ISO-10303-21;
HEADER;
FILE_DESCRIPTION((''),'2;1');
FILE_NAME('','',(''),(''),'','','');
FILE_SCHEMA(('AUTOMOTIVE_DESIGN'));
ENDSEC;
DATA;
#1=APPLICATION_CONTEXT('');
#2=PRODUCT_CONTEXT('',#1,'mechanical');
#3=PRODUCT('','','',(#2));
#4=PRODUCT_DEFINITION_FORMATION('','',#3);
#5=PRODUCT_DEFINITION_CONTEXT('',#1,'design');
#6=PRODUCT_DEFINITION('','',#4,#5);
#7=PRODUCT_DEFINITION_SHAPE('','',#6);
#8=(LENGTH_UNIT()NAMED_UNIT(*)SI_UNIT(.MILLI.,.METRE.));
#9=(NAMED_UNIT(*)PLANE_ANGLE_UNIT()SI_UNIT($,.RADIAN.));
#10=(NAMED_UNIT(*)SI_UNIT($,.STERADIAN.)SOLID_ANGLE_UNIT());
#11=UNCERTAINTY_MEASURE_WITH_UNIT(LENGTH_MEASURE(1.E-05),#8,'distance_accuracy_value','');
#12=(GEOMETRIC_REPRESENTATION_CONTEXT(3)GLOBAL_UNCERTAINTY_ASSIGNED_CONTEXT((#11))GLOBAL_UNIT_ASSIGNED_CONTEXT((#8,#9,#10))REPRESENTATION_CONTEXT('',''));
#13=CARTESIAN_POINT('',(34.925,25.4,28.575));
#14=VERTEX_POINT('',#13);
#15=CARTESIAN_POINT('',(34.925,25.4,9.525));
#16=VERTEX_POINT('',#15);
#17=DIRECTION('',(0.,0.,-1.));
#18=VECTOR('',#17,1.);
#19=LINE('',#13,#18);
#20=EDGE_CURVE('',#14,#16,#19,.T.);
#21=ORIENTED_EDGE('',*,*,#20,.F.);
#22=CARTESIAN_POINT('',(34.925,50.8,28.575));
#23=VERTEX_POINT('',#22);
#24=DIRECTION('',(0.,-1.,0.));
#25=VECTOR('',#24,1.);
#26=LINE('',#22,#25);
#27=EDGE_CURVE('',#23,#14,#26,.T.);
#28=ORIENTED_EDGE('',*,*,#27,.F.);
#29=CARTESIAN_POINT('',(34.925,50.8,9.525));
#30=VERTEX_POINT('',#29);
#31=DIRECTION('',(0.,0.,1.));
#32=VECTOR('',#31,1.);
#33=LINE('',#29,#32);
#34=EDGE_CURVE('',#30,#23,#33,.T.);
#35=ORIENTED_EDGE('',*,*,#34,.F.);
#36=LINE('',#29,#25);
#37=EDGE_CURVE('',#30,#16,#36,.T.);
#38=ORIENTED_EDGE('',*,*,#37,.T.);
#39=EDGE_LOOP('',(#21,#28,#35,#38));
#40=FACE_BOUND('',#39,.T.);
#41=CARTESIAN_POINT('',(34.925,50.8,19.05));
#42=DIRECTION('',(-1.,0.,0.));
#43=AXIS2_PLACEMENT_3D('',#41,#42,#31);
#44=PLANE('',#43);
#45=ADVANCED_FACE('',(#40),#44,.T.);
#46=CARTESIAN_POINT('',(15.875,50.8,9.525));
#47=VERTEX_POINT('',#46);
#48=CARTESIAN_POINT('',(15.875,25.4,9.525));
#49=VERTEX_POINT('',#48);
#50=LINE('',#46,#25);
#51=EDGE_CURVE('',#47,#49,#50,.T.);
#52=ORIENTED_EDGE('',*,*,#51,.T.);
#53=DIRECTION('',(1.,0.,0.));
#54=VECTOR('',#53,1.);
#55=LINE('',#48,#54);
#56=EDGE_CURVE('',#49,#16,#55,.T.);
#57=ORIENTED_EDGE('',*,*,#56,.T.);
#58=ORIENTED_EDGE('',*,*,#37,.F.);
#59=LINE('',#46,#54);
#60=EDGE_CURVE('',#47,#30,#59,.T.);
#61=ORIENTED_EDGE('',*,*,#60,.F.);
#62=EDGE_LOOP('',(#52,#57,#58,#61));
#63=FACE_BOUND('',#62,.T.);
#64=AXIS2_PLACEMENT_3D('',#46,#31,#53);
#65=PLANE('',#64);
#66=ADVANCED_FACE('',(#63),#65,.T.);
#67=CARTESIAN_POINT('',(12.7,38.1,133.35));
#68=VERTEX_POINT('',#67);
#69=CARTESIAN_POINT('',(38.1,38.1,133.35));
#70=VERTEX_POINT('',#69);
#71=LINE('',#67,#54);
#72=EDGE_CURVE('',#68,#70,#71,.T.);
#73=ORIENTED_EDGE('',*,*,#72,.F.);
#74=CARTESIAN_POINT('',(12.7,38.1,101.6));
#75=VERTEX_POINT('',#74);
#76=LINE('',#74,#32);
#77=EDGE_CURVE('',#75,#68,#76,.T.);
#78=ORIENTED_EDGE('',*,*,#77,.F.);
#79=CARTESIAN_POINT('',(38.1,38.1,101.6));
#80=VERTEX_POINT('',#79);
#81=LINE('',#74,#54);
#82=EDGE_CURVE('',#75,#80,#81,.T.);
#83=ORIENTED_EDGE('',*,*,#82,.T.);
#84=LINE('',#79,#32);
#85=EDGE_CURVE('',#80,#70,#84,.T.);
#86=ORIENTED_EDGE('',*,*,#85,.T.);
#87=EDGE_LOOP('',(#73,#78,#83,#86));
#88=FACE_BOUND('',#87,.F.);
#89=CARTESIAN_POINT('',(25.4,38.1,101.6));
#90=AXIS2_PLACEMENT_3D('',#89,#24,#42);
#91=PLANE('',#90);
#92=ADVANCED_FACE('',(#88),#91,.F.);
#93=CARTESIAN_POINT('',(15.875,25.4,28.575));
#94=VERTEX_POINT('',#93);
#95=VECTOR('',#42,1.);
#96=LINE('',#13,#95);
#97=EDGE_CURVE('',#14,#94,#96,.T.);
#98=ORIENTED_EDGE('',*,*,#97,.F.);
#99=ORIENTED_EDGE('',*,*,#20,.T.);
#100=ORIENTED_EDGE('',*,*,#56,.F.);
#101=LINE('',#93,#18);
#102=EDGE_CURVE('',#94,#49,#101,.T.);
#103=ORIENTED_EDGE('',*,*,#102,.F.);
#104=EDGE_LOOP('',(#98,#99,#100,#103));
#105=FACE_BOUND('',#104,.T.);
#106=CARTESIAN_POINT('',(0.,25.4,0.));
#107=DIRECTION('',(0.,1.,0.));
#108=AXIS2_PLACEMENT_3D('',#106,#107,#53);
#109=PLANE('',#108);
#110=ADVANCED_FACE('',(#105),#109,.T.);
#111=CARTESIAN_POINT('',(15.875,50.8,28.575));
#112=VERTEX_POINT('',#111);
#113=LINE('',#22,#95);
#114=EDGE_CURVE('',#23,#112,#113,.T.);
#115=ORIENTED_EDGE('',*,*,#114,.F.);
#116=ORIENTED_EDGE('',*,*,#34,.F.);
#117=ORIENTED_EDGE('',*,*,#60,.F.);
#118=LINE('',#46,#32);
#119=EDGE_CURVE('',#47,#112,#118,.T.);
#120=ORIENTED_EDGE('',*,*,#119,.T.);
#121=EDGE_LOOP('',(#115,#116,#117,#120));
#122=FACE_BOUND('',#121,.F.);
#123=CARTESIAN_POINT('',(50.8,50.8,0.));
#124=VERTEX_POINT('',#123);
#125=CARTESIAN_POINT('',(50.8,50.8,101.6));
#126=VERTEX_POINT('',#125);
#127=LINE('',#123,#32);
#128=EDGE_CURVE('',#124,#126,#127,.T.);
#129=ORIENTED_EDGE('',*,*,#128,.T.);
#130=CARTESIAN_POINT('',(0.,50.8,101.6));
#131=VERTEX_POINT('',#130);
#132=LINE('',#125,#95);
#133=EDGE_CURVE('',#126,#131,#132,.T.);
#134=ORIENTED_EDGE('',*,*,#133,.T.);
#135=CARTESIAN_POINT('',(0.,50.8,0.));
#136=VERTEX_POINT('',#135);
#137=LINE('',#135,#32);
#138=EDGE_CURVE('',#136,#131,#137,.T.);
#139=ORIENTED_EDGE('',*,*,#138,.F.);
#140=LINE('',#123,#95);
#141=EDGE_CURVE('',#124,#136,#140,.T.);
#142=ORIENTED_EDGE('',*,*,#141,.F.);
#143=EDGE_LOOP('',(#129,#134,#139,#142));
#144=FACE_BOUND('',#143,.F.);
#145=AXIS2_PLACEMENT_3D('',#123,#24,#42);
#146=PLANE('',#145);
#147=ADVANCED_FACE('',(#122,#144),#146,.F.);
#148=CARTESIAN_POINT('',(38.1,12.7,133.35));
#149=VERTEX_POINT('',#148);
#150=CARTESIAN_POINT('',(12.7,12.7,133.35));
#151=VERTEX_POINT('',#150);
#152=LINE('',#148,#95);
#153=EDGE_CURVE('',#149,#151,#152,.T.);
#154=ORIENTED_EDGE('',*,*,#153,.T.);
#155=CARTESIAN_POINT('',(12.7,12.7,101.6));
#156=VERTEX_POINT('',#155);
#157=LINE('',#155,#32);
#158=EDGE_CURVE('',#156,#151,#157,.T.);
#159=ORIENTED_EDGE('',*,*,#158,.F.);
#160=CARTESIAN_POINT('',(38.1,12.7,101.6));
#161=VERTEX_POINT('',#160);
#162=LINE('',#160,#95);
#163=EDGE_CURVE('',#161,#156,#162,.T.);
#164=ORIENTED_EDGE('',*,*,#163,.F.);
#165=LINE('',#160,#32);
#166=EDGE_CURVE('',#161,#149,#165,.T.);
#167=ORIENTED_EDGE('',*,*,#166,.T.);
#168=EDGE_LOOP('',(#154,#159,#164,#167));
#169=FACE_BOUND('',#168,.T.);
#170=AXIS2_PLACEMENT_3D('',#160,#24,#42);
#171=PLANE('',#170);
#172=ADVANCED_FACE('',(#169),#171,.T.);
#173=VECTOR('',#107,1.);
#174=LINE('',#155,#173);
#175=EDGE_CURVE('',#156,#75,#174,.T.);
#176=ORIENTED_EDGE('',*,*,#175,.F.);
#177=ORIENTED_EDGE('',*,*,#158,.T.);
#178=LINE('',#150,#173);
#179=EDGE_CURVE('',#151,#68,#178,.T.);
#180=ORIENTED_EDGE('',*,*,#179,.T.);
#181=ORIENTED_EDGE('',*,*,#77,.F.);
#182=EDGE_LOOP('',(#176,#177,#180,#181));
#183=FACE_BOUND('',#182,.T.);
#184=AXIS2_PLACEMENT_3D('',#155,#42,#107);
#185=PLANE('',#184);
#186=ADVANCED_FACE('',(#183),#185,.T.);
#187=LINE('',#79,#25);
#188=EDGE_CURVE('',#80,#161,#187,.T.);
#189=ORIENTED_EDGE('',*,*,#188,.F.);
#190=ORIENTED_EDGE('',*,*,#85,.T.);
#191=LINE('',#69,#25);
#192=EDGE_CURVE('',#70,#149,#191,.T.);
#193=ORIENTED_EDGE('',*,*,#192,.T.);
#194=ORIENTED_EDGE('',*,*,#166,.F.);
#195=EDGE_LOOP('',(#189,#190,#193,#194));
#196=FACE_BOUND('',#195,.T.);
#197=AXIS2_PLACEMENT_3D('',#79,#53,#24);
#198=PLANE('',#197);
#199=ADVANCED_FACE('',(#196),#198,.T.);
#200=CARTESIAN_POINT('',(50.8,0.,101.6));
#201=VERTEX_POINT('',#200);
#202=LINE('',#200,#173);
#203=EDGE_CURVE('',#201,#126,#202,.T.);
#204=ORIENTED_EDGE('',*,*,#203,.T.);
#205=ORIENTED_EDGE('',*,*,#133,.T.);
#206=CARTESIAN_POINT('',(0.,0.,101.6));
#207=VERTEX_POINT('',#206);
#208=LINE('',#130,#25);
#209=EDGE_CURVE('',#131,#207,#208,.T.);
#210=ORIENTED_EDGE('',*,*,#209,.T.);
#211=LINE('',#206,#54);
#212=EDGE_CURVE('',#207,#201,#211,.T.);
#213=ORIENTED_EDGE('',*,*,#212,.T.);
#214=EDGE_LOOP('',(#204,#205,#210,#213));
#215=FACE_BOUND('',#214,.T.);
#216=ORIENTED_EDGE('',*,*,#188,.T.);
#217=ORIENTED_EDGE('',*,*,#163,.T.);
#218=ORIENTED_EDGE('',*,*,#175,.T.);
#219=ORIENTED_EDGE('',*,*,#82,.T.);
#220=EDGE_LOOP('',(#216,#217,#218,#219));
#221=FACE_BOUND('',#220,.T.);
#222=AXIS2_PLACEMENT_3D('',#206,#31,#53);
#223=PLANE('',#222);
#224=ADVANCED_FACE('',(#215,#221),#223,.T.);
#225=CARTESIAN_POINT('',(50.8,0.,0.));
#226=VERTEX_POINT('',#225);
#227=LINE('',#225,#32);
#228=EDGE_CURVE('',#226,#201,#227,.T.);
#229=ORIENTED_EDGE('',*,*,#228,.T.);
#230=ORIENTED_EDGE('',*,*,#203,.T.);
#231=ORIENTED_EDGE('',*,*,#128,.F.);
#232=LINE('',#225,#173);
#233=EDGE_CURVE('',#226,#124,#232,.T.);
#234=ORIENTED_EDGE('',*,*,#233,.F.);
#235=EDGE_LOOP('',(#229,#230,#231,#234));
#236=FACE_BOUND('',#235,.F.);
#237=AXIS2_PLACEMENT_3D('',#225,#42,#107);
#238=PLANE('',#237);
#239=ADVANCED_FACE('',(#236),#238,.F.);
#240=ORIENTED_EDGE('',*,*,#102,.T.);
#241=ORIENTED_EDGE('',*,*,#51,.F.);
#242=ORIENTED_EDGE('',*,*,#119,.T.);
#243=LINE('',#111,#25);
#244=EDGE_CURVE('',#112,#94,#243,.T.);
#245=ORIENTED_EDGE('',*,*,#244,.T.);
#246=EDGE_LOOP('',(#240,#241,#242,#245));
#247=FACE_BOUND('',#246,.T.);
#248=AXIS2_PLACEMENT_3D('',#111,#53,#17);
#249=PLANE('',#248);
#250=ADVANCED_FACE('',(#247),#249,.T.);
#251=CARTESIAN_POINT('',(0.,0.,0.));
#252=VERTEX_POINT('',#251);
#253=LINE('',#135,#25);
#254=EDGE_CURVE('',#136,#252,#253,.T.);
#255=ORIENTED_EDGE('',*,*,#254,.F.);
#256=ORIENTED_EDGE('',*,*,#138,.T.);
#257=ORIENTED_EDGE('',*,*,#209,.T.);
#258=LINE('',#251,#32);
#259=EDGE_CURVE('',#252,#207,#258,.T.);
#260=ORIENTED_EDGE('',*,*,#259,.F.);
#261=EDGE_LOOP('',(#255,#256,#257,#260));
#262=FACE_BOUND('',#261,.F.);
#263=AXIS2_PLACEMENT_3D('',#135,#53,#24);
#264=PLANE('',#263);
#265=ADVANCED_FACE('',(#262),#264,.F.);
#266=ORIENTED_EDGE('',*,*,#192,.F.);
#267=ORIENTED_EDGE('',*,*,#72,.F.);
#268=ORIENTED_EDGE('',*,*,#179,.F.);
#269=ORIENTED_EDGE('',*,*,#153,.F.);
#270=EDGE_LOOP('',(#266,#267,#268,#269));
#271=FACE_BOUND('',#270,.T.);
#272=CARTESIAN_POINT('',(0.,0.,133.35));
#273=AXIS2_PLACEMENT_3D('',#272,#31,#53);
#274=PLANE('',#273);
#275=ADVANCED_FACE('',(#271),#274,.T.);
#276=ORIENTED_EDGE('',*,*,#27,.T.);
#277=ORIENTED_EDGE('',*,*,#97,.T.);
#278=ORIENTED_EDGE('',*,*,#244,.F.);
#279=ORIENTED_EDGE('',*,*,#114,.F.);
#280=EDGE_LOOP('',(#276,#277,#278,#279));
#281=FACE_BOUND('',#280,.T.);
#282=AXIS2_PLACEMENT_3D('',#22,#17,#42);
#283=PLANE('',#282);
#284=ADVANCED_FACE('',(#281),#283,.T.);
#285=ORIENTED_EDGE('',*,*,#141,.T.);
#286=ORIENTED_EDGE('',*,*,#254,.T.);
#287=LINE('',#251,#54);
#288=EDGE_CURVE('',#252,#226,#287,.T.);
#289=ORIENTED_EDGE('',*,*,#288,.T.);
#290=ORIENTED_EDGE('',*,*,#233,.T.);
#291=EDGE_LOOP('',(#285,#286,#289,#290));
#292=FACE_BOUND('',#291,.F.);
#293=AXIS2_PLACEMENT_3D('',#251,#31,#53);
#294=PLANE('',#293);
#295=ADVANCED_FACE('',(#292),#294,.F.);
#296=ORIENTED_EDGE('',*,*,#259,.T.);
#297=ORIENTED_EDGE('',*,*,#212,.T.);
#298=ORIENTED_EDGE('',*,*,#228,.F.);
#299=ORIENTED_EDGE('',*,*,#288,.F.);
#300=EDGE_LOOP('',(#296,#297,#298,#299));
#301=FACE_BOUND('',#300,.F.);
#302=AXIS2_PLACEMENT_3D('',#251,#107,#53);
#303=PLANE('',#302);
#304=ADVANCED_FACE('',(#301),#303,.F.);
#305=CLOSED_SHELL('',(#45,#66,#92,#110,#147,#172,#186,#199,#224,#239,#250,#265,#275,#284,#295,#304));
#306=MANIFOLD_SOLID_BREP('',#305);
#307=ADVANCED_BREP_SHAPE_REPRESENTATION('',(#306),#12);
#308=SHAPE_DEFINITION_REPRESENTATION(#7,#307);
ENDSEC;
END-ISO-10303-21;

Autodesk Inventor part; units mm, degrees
ref_plane "YZ Plane" through (0, 0, 0) normal (1, 0, 0) x (0, 1, 0)
ref_plane "XZ Plane" through (0, 0, 0) normal (0, 1, 0) x (-1, 0, 0)
ref_plane "XY Plane" through (0, 0, 0) normal (0, 0, 1) x (1, 0, 0)
sketch "Sketch1" plane through (0, 0, 0) normal (0, 0, 1) x (1, 0, 0)
  line L0 (0, 0) -> (50.8, 0)
  line L1 (50.8, 0) -> (50.8, 50.8)
  line L2 (50.8, 50.8) -> (0, 50.8)
  line L3 (0, 50.8) -> (0, 0)
  dimension "d0" = 50.8
  dimension "d1" = 50.8
extrude "Extrusion1" add sketch "Sketch1" along normal blind 101.6
sketch "Sketch2" plane through (0, 0, 101.6) normal (0, 0, 1) x (1, 0, 0)
  line L0 (50.8, 50.8) -> (0, 50.8) projected
  line L1 (25.4, 38.1) -> (12.7, 38.1)
  line L2 (12.7, 38.1) -> (38.1, 38.1)
  line L3 (38.1, 38.1) -> (38.1, 12.7)
  line L4 (38.1, 12.7) -> (12.7, 12.7)
  line L5 (12.7, 12.7) -> (12.7, 38.1)
  point P0 (0, 0)
  dimension "d8" = 25.4
  dimension "d9" = 25.4
extrude "Extrusion2" add sketch "Sketch2" along normal blind 31.75
sketch "Sketch3" plane through (0, 50.8, 0) normal (0, 1, 0) x (1, 0, 0)
  line L0 (50.8, 0) -> (0, 0) projected
  line L1 (25.4, 0) -> (25.4, -25.4)
  line L2 (25.4, -25.4) -> (19.05, -25.4)
  line L3 (19.05, -25.4) -> (19.05, -12.7)
  line L4 (19.05, -12.7) -> (25.4, -12.7)
  line L5 (25.4, -12.7) -> (25.4, -25.4)
  line L6 (25.4, -25.4) -> (31.75, -25.4)
  line L7 (31.75, -25.4) -> (31.75, -12.7)
  line L8 (31.75, -12.7) -> (25.4, -12.7)
  line L9 (25.4, -12.7) -> (25.4, -25.4)
  dimension "d12" = 25.4
  dimension "d13" = 6.35
  dimension "d14" = 12.7
  dimension "d15" = 6.35
extrude "Extrusion3" cut sketch "Sketch3" against normal blind 25.4
sketch "Sketch4" plane through (0, 50.8, 0) normal (0, 1, 0) x (1, 0, 0)
  line L0 (19.05, -25.4) -> (19.05, -12.7) projected
  line L1 (19.05, -19.05) -> (15.875, -19.05)
  line L2 (0, 0) -> (0, -101.6) projected
  line L3 (15.875, -19.05) -> (34.925, -19.05)
  line L4 (34.925, -19.05) -> (34.925, -28.575)
  line L5 (34.925, -28.575) -> (15.875, -28.575)
  line L6 (15.875, -28.575) -> (15.875, -19.05)
  line L7 (34.925, -19.05) -> (15.875, -19.05)
  line L8 (15.875, -19.05) -> (15.875, -9.525)
  line L9 (15.875, -9.525) -> (34.925, -9.525)
  line L10 (34.925, -9.525) -> (34.925, -19.05)
  dimension "d18" = 3.175
  dimension "d19" = 19.05
  dimension "d20" = 9.525
  dimension "d21" = 19.05
  dimension "d22" = 9.525
extrude "Extrusion4" cut sketch "Sketch4" against normal blind 25.4
properties part number "SquareCrank_SBail"
